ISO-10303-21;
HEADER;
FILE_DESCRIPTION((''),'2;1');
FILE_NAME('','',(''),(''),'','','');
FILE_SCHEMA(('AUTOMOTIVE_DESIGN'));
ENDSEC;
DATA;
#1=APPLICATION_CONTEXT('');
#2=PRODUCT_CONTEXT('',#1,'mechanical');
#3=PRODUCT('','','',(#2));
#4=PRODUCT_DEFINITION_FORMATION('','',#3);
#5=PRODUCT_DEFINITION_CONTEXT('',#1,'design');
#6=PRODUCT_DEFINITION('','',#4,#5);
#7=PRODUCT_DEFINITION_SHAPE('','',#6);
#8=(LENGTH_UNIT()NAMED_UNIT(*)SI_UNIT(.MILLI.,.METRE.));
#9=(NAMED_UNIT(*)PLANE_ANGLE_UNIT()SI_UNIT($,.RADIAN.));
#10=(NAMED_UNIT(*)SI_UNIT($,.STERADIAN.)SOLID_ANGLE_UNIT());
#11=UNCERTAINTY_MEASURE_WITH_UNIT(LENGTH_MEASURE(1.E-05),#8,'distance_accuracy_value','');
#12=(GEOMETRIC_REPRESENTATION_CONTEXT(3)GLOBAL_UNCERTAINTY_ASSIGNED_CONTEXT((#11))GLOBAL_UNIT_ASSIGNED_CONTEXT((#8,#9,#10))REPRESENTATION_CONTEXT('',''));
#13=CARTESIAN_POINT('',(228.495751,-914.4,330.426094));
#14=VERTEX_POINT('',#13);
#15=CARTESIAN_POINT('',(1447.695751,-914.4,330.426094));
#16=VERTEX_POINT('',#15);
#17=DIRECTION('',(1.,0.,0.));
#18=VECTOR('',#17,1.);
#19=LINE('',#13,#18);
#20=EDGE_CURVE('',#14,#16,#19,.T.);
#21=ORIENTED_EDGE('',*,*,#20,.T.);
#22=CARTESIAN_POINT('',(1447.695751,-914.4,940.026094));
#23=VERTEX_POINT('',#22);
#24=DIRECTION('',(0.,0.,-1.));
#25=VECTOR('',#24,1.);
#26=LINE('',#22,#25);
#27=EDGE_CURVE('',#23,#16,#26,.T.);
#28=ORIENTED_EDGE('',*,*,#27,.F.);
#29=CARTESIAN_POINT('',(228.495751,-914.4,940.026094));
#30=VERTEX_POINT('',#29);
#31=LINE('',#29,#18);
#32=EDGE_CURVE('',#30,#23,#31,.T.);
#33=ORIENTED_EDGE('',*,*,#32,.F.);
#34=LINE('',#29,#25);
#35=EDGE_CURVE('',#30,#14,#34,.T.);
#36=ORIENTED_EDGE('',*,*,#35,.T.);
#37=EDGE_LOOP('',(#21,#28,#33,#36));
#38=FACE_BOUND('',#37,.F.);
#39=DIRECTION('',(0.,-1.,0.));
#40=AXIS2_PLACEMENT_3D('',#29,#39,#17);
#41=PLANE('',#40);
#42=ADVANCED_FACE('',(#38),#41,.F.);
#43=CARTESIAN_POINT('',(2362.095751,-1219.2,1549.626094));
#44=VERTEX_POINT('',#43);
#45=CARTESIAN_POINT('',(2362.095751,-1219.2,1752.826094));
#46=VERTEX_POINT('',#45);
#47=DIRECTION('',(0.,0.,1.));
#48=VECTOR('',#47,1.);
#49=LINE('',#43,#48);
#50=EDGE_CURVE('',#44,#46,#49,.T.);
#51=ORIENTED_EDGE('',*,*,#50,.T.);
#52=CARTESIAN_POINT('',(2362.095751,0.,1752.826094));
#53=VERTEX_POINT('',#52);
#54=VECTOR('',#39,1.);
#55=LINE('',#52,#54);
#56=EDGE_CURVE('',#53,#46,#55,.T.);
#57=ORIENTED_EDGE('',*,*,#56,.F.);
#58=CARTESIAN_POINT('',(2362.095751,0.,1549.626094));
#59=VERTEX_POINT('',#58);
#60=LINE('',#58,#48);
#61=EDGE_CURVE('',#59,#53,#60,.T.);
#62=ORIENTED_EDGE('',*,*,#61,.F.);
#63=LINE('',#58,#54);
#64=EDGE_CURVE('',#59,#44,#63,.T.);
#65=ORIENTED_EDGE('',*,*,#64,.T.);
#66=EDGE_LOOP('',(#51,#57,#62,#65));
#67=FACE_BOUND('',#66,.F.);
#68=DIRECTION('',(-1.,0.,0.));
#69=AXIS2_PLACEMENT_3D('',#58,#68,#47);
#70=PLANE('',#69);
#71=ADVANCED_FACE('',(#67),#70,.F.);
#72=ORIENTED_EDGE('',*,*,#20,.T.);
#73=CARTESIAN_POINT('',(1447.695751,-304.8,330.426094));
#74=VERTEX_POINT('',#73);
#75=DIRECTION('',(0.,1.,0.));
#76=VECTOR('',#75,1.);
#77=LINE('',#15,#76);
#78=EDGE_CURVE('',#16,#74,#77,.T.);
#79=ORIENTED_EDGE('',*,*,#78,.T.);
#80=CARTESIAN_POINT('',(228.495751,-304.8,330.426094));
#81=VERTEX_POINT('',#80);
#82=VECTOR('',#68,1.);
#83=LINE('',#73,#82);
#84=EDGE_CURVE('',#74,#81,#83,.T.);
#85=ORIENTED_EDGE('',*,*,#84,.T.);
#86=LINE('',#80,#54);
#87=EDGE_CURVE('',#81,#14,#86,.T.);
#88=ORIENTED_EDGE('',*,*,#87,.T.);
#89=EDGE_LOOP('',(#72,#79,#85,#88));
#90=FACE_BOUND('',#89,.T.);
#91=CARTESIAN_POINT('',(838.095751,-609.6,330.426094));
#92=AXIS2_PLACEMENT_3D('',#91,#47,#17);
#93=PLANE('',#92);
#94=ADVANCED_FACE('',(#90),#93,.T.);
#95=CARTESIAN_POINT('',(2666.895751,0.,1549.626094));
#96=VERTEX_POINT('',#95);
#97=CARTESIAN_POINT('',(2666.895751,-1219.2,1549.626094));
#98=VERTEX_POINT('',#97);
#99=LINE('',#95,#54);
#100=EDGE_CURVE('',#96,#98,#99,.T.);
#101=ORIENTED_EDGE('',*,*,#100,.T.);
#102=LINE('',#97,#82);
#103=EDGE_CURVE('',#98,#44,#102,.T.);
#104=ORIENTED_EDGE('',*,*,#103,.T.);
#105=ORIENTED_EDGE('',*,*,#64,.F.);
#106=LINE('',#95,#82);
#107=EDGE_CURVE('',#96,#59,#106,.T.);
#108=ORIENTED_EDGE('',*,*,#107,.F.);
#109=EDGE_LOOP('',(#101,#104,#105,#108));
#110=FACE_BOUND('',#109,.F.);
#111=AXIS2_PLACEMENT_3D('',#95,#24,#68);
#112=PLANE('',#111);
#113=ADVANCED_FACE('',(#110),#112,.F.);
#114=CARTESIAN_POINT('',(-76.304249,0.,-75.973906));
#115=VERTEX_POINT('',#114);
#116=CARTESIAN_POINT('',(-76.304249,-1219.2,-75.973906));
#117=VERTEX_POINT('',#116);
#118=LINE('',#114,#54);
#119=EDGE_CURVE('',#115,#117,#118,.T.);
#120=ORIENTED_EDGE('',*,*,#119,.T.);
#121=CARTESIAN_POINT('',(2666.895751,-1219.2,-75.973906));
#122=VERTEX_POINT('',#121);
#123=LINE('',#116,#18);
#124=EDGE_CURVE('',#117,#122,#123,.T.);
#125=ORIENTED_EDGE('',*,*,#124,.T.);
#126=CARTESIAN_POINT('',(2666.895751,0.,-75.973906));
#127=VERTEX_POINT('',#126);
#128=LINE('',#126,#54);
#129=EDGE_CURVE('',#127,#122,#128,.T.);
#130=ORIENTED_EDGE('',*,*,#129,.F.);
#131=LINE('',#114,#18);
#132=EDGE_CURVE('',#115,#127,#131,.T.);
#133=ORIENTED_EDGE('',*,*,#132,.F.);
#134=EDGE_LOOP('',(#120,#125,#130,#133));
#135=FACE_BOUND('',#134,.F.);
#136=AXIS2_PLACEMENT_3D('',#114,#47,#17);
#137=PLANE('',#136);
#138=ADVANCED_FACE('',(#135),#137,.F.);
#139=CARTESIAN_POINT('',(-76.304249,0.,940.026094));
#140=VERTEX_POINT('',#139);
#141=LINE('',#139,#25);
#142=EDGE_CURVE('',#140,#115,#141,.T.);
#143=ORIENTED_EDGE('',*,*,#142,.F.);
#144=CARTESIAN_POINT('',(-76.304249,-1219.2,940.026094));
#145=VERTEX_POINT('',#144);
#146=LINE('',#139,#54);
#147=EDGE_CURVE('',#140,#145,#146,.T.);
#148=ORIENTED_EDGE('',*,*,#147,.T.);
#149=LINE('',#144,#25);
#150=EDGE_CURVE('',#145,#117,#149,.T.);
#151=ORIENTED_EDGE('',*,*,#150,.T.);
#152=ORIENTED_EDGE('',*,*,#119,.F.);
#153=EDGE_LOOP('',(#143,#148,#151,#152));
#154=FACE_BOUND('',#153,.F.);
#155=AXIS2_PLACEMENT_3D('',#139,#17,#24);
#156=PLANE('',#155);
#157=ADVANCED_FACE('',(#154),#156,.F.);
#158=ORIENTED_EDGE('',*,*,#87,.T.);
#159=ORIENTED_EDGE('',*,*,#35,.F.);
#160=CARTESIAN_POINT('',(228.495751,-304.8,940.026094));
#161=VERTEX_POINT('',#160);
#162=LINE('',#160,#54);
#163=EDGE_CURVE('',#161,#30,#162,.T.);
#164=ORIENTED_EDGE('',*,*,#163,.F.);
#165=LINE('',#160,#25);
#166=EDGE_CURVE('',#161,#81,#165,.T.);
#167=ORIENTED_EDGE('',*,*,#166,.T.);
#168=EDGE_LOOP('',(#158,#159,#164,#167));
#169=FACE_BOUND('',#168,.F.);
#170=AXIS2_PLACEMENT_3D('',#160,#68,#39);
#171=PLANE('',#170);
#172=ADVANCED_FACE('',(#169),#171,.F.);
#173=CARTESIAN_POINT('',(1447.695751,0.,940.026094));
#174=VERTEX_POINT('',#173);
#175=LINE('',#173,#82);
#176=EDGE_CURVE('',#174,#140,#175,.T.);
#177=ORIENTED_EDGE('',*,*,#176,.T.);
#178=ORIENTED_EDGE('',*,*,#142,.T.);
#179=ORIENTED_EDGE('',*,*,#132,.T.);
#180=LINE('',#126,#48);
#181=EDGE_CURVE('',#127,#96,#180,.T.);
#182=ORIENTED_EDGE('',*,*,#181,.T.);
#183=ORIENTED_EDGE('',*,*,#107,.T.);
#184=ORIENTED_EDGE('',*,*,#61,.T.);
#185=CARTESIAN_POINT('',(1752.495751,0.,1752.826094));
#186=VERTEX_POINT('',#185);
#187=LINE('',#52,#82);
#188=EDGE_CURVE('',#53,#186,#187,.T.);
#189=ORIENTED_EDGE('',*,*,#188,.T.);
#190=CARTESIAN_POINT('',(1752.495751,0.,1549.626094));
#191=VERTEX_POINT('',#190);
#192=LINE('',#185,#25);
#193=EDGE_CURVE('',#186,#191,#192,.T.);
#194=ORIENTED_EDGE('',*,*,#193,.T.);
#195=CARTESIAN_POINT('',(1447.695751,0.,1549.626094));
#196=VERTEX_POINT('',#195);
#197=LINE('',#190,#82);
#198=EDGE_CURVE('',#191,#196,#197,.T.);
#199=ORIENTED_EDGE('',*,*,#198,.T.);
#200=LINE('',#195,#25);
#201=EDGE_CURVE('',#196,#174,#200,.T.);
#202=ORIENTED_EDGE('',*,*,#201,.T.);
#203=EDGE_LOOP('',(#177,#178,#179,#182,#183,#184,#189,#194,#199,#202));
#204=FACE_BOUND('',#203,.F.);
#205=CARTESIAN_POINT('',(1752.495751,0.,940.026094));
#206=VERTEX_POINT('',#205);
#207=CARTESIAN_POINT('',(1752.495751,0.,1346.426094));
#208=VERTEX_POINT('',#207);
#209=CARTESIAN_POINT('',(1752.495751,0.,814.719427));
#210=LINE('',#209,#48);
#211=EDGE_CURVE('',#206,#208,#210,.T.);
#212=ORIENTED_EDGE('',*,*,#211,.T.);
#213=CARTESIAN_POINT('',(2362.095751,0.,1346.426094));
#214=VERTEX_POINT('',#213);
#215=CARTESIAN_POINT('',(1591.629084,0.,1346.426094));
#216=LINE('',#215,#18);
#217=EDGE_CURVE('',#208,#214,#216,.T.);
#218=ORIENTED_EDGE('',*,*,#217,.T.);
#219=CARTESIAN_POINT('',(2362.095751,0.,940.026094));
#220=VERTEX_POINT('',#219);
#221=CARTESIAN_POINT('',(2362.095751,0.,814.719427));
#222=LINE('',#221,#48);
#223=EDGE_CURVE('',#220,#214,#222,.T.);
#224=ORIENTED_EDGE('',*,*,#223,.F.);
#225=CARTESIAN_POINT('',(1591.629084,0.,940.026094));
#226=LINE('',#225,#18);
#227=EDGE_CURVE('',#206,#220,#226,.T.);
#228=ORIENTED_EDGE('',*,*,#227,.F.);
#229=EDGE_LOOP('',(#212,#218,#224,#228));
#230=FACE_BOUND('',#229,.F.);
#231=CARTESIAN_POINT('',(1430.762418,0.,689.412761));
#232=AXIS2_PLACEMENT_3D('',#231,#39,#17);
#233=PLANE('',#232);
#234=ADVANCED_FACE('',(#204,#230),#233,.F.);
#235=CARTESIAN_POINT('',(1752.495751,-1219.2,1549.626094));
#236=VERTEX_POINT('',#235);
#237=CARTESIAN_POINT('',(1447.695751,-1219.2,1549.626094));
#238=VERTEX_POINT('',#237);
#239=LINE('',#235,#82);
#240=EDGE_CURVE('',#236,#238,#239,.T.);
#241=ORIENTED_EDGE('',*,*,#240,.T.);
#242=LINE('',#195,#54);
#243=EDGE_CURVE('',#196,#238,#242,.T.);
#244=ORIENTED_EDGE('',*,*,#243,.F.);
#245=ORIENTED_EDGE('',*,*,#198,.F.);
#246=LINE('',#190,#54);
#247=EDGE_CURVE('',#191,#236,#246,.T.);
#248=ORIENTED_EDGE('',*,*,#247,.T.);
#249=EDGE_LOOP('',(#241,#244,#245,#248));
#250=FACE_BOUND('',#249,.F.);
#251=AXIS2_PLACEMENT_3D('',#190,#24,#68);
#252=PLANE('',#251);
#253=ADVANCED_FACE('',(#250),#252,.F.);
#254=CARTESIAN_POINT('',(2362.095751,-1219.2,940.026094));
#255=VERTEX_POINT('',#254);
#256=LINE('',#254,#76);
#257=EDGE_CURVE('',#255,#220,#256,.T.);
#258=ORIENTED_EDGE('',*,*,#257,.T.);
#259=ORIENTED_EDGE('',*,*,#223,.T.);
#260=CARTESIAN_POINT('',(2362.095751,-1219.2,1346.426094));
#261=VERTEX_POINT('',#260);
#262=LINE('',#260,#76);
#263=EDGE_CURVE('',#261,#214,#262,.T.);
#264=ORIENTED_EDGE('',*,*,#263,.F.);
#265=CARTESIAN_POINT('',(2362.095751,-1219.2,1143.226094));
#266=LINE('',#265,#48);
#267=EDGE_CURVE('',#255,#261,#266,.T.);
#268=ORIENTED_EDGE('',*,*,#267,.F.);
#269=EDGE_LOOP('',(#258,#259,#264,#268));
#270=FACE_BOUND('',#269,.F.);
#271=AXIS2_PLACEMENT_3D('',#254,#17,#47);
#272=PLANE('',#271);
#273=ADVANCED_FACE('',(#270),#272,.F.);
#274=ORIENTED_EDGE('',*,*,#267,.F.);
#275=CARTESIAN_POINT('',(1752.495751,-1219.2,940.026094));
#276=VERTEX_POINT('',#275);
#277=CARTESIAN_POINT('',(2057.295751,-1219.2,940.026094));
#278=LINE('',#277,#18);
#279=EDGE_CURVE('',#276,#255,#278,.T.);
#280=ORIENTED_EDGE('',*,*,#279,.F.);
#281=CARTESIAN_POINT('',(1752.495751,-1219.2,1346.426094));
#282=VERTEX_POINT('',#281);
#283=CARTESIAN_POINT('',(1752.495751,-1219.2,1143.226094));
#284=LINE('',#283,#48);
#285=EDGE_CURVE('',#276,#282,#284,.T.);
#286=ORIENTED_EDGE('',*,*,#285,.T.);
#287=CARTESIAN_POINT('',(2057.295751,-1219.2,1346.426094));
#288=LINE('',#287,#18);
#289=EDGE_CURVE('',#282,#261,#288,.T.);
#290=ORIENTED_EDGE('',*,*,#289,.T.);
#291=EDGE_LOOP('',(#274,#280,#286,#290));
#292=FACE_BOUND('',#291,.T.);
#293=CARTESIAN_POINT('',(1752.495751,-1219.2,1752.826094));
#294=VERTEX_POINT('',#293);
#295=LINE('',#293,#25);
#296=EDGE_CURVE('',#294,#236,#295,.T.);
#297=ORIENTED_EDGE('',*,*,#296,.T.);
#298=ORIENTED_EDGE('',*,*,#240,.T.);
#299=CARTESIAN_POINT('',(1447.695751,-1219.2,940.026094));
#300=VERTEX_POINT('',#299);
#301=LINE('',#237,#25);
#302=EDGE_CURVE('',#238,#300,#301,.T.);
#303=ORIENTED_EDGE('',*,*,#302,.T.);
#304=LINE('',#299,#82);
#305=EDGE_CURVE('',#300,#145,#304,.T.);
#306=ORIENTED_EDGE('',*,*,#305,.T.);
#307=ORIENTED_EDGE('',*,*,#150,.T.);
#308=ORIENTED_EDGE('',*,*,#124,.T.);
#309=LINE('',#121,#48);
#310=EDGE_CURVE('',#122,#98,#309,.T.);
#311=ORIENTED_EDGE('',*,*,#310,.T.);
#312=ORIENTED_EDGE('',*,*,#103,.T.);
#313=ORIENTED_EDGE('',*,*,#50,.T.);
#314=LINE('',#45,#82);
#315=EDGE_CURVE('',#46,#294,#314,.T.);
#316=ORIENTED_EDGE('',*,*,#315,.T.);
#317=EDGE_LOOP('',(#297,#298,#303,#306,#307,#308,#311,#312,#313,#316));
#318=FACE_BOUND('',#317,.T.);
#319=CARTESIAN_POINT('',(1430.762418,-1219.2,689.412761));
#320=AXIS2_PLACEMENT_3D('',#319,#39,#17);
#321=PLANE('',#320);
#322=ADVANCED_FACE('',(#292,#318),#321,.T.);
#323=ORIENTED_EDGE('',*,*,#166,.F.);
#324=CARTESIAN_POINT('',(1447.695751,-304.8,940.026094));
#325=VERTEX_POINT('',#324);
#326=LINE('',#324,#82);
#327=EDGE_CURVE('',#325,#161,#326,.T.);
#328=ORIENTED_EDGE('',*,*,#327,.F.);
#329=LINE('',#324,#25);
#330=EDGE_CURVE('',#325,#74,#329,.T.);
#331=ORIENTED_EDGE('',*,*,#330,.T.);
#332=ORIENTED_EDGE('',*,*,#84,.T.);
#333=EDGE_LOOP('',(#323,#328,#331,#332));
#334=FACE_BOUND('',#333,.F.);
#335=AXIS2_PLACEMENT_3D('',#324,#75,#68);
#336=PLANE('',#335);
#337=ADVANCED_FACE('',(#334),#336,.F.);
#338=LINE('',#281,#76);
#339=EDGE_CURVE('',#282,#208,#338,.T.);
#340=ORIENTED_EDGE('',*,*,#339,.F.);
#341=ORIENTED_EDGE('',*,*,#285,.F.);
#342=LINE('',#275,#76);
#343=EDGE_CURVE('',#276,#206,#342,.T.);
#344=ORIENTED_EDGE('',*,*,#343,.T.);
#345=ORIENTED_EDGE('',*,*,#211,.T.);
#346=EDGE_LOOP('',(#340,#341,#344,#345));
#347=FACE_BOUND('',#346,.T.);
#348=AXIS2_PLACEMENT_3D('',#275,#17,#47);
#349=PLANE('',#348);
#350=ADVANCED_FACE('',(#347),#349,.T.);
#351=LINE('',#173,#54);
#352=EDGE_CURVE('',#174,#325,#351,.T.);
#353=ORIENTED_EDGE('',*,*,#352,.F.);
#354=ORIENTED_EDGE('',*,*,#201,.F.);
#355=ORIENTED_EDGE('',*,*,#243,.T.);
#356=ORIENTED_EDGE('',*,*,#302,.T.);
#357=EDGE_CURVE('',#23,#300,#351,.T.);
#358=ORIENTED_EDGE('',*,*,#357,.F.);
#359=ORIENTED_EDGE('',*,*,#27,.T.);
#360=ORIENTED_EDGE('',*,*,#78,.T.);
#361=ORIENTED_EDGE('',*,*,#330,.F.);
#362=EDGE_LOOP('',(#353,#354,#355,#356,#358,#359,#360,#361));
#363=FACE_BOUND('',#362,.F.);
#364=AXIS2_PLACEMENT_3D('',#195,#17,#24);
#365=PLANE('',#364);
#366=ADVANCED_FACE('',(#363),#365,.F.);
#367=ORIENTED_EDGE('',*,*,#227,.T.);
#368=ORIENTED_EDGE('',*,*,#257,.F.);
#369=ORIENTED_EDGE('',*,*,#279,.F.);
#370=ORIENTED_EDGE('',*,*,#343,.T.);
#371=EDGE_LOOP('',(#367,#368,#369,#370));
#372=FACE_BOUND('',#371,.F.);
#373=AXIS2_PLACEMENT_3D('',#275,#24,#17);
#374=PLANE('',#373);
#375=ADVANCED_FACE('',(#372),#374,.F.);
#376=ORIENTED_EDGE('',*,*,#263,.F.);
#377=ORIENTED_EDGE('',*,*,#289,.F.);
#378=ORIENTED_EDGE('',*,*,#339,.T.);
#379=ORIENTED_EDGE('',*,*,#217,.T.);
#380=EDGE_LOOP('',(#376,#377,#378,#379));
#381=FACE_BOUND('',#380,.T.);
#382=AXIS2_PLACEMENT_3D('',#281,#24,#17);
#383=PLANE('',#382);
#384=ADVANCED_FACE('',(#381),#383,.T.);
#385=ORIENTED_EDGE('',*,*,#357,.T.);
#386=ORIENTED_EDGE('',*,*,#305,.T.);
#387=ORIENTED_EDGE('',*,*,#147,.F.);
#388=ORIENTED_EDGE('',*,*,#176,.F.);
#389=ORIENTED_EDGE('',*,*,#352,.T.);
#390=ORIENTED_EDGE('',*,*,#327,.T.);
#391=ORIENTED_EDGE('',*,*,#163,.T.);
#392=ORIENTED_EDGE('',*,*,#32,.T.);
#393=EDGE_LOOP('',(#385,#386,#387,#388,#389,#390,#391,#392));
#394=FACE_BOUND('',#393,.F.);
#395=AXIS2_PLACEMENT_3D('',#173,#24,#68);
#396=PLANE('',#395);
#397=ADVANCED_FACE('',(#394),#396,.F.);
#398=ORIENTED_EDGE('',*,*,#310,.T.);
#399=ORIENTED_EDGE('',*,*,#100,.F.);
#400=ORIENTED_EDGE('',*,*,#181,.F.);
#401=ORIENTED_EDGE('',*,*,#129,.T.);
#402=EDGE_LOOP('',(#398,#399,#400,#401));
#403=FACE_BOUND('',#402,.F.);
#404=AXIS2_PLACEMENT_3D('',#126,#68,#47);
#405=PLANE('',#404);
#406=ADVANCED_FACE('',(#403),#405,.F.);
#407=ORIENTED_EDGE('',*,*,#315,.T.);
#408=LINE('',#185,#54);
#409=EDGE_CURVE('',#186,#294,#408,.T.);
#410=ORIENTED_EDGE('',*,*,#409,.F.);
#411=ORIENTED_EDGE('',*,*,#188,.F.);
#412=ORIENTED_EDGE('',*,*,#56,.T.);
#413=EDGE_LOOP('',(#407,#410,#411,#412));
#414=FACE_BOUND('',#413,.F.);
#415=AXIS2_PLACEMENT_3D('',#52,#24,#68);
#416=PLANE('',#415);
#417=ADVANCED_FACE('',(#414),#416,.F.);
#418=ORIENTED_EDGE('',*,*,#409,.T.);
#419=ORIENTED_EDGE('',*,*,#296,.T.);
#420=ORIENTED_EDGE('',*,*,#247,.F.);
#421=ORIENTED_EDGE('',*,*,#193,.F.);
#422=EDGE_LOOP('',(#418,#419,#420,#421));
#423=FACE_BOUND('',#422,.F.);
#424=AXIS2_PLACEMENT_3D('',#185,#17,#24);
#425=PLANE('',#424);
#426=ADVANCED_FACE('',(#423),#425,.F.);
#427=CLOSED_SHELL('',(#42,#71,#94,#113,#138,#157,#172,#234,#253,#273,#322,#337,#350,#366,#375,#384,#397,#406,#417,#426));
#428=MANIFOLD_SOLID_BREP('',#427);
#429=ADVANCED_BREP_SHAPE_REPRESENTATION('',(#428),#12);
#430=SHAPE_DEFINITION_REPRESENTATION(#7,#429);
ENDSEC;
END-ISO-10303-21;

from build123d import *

# Parameters (mm, degrees)
F0_W     = 609.6
F0_H     = 406.4
F1_DEPTH = 1219.2
F2_W     = 609.6
F2_H     = 406.4
F3_DEPTH = 1219.201
F5_DEPTH = 609.6


with BuildPart() as f1:
    # F0 (on Front) → F1 (new body)
    with BuildSketch(Plane.XZ):
        Polygon((-76.304249, 940.026094), (-76.304249, -75.973906), (2666.895751, -75.973906), (2666.895751, 1549.626094), (2362.095751, 1549.626094), (2362.095751, 1752.826094), (1752.495751, 1752.826094), (1752.495751, 1549.626094), (1447.695751, 1549.626094), (1447.695751, 940.026094), align=None)
        with Locations((2057.295751, 1143.226094)):
            Rectangle(F0_W, F0_H, mode=Mode.SUBTRACT)
        with Locations((2057.295751, 1143.226094)):
            Rectangle(F0_W, F0_H)
    extrude(amount=F1_DEPTH)

    # F2 (on face) → F3 (cut, through all)
    with BuildSketch(Plane.XZ.offset(1219.2)):
        with Locations((2057.295751, 1143.226094)):
            Rectangle(F2_W, F2_H)
    extrude(amount=-F3_DEPTH, mode=Mode.SUBTRACT)

    # F4 (on face) → F5 (cut)
    with BuildSketch(Plane.XY.offset(940.026094)):
        Polygon((228.495751, -609.6), (228.495751, -914.4), (1447.695751, -914.4), (1447.695751, -304.8), (228.495751, -304.8), align=None)
    extrude(amount=-F5_DEPTH, mode=Mode.SUBTRACT)


solid = f1.part
